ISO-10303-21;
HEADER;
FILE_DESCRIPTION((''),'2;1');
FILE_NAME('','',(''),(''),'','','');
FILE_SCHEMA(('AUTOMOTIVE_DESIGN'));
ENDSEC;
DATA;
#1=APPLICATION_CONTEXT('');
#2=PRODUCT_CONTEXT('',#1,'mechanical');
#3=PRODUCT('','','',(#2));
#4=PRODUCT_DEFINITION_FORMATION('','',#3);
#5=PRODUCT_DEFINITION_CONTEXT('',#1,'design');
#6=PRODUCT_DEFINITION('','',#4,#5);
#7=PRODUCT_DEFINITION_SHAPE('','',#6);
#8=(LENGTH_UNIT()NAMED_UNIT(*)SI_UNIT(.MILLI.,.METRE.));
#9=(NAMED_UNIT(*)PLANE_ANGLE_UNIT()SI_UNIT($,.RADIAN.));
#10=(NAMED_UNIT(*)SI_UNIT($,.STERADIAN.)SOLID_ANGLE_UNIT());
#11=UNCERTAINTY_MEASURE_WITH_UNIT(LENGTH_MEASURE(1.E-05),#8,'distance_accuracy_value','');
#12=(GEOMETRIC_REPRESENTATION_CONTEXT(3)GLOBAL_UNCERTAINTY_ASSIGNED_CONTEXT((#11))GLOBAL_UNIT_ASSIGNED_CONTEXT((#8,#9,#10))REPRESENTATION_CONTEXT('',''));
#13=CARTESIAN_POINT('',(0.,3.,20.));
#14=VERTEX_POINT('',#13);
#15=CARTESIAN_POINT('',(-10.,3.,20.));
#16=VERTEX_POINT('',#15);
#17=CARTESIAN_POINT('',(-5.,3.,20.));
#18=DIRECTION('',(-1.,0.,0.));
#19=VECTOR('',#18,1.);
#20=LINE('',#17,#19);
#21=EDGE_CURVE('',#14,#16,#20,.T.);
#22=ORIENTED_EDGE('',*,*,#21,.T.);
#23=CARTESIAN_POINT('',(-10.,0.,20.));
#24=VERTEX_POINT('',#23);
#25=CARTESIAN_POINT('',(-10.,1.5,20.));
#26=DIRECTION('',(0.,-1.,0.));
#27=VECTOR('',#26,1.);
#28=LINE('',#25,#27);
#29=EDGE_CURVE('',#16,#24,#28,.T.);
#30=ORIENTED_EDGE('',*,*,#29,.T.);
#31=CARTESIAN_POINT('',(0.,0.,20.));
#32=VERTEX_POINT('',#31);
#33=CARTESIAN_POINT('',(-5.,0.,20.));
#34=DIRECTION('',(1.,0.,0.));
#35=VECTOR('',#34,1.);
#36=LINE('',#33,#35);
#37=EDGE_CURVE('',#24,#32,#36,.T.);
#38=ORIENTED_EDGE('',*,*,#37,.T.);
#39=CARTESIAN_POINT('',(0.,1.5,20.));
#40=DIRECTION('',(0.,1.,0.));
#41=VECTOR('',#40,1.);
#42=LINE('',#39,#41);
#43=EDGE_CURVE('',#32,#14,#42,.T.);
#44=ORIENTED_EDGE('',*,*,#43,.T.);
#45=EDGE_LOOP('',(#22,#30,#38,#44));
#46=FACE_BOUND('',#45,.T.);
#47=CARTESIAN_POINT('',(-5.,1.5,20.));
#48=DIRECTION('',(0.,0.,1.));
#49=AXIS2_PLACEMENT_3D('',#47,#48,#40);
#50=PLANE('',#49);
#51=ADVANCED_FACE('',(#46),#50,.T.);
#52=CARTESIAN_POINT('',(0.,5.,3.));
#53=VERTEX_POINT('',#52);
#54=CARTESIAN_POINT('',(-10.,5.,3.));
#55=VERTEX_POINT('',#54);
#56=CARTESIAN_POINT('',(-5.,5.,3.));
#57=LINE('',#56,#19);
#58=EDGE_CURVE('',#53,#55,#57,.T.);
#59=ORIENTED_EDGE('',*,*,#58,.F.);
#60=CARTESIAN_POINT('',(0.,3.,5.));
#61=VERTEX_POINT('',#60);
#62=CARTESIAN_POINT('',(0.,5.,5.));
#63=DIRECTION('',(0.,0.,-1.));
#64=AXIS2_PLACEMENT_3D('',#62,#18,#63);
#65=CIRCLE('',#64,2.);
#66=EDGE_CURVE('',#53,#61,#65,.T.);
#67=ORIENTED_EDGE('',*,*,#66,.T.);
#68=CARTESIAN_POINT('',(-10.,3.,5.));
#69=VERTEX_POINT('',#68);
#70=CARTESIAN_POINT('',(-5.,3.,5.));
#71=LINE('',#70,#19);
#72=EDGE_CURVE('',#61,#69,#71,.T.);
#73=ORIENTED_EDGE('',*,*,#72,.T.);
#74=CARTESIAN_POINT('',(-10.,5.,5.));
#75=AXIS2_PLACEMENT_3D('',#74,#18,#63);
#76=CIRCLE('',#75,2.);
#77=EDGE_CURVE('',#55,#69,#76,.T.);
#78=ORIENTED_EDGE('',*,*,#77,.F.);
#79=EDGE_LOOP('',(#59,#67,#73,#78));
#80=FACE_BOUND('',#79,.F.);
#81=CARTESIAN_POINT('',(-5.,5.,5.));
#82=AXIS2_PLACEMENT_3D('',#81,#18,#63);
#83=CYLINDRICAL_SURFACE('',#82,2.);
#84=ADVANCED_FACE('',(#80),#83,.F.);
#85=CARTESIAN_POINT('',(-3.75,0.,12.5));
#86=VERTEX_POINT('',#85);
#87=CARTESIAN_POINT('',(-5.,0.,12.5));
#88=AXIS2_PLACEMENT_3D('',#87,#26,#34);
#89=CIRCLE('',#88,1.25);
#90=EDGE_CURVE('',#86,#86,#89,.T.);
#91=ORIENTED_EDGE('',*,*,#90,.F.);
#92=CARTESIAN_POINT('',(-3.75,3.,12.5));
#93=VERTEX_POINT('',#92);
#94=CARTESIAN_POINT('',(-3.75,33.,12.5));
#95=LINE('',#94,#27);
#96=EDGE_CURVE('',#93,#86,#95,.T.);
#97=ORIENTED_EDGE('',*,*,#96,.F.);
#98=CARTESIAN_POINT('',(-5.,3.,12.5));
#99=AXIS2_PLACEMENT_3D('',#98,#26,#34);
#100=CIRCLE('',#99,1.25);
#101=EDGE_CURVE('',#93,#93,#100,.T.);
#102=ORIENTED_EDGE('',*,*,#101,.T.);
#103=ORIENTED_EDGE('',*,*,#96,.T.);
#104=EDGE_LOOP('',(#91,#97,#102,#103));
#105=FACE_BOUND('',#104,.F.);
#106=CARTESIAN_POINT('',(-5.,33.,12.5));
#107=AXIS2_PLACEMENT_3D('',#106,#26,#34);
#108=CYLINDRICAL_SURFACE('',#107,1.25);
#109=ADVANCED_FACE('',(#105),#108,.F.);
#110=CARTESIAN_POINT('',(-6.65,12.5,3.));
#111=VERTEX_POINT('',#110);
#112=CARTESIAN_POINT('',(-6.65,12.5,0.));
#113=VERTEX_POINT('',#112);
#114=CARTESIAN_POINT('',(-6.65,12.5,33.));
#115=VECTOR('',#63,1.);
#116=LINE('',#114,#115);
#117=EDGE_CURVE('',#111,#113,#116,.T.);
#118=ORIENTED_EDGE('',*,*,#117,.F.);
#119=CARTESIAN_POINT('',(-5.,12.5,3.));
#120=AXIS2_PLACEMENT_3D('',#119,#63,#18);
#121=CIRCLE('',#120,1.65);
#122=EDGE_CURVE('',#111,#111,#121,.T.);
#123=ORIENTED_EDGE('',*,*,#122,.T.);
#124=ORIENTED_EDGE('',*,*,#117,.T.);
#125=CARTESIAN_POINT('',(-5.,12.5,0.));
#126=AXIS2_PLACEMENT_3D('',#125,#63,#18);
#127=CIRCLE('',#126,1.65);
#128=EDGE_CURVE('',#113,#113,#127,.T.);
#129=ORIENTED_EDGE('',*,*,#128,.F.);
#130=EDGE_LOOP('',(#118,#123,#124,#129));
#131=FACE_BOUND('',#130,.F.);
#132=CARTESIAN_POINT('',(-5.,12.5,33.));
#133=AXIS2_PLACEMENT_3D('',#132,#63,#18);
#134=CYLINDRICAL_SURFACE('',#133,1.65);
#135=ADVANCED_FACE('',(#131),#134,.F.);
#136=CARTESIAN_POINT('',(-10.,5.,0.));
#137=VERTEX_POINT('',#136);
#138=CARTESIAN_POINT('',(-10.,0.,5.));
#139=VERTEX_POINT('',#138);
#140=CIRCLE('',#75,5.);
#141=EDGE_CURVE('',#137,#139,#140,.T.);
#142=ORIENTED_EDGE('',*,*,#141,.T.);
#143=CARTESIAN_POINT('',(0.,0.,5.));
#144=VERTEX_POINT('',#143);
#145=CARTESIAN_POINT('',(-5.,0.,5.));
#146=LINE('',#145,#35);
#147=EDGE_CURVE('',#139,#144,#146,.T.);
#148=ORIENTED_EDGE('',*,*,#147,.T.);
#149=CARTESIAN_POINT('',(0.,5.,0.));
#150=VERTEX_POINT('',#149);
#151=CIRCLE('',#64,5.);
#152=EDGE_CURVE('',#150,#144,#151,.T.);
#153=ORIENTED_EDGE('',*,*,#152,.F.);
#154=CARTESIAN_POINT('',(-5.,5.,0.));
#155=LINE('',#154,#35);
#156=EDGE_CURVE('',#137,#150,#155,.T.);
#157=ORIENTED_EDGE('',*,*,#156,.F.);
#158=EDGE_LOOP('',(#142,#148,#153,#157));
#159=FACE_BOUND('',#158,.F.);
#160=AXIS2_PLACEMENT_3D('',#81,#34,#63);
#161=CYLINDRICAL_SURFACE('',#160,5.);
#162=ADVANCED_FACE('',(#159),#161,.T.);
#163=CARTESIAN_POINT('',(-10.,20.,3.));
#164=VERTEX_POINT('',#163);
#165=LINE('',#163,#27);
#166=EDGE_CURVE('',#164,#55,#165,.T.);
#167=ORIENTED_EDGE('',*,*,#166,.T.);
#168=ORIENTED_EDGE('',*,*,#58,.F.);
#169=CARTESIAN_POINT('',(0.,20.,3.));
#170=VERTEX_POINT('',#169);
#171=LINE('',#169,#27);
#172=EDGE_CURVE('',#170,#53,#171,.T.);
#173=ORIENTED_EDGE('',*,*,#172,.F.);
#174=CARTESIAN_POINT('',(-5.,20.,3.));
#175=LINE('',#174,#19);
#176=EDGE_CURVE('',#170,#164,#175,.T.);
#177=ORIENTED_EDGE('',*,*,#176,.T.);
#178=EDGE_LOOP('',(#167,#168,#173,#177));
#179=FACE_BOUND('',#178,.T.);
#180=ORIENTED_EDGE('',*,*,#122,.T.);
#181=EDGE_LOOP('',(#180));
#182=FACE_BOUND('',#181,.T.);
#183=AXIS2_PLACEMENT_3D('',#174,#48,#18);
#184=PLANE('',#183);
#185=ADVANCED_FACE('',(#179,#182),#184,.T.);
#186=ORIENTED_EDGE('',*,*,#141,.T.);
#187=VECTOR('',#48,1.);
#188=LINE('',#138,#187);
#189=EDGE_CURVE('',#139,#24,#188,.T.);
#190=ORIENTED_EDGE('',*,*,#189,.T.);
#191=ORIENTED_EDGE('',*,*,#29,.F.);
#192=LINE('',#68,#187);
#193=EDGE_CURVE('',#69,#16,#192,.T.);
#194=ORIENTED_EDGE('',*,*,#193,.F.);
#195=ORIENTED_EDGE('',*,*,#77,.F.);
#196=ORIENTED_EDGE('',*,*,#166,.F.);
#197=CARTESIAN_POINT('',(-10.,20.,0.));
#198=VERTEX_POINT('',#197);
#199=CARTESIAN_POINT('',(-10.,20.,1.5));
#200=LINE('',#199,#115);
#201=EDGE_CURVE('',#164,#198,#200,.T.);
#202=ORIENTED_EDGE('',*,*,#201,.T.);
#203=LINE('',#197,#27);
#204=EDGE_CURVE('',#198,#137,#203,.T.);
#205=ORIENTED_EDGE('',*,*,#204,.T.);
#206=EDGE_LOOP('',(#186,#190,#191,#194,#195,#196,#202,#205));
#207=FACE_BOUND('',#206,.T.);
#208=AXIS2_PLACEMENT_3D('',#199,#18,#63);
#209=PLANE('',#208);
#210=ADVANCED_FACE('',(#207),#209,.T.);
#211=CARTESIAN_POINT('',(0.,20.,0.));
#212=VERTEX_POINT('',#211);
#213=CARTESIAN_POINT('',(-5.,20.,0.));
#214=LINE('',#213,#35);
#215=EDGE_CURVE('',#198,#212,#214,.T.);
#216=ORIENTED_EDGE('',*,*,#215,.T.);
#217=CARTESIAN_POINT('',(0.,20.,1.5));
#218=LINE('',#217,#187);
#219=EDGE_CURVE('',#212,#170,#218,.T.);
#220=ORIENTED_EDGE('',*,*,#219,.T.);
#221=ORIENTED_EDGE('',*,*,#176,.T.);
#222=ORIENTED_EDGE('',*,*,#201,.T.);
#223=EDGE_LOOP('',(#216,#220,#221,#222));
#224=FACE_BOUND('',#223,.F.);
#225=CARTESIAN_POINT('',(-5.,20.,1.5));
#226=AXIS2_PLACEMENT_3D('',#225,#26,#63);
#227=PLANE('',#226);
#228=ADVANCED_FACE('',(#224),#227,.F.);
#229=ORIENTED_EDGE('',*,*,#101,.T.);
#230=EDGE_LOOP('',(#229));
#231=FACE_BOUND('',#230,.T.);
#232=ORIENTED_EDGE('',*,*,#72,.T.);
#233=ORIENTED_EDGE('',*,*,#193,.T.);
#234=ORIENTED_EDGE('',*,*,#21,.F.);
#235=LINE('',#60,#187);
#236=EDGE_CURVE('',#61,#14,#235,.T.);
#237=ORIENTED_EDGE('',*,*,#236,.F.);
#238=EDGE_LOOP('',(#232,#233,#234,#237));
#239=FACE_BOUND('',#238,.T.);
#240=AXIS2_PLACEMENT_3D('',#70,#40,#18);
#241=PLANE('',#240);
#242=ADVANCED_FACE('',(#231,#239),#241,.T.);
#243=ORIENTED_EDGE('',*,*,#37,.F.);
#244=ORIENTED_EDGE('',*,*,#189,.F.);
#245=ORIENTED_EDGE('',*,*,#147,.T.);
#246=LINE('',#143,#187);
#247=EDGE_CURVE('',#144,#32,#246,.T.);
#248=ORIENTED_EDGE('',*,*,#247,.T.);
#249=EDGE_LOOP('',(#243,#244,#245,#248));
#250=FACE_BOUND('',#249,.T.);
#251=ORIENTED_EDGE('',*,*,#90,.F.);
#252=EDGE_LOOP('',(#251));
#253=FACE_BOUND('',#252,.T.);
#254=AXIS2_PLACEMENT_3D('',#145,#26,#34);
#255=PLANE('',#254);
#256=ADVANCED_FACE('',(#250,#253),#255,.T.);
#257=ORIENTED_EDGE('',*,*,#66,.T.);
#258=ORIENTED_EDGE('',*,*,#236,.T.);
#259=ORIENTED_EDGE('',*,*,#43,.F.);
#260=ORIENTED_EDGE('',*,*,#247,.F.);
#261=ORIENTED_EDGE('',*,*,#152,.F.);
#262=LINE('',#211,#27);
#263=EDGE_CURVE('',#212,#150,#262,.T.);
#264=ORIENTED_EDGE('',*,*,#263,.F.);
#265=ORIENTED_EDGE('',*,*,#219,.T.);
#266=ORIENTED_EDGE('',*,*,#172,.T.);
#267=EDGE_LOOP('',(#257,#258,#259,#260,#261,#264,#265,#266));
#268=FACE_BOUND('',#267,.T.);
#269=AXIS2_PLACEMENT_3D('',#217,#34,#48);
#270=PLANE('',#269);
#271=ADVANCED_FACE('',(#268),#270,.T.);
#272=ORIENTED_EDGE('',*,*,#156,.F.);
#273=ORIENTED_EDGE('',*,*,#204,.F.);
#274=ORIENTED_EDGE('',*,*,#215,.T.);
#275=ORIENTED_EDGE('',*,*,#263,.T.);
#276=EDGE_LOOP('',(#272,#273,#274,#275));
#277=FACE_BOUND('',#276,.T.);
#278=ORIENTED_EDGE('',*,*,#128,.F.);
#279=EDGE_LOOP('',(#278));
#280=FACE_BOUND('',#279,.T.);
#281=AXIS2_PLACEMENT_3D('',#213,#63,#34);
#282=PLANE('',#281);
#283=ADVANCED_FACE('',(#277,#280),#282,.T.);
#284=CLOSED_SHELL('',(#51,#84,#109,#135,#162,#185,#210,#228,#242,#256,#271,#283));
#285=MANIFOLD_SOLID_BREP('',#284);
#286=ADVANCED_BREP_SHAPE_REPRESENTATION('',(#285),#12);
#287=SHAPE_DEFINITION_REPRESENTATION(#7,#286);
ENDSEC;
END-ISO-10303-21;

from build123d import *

# Parameters (mm, degrees)
F2_W = 10
F2_H = 3
F5_D = 3.3
F7_D = 2.5


with BuildPart() as f3:
    # F3: sweep along a path in F0
    with BuildLine(Plane.YZ) as f3_path:
        Line((20, 0), (5, 0))
        ThreePointArc((5, 0), (1.4644660941, 1.4644660941), (0, 5))
        Line((0, 5), (0, 20))
    # F2 (on line) → F3 (sweep)
    with BuildSketch(Plane.XZ.offset(-20)):
        with Locations((-5, 1.5)):
            Rectangle(F2_W, F2_H)
    sweep(path=f3_path.line)

    # F5 (through all)
    with Locations(Plane.XY.offset(3)):
        with Locations((-5, 12.5)):
            Hole(F5_D / 2)

    # F7 (through all)
    with Locations(Plane(origin=(0, 3, 0), x_dir=(-1, 0, 0), z_dir=(0, 1, 0))):
        with Locations((5, 12.5)):
            Hole(F7_D / 2)


solid = f3.part
